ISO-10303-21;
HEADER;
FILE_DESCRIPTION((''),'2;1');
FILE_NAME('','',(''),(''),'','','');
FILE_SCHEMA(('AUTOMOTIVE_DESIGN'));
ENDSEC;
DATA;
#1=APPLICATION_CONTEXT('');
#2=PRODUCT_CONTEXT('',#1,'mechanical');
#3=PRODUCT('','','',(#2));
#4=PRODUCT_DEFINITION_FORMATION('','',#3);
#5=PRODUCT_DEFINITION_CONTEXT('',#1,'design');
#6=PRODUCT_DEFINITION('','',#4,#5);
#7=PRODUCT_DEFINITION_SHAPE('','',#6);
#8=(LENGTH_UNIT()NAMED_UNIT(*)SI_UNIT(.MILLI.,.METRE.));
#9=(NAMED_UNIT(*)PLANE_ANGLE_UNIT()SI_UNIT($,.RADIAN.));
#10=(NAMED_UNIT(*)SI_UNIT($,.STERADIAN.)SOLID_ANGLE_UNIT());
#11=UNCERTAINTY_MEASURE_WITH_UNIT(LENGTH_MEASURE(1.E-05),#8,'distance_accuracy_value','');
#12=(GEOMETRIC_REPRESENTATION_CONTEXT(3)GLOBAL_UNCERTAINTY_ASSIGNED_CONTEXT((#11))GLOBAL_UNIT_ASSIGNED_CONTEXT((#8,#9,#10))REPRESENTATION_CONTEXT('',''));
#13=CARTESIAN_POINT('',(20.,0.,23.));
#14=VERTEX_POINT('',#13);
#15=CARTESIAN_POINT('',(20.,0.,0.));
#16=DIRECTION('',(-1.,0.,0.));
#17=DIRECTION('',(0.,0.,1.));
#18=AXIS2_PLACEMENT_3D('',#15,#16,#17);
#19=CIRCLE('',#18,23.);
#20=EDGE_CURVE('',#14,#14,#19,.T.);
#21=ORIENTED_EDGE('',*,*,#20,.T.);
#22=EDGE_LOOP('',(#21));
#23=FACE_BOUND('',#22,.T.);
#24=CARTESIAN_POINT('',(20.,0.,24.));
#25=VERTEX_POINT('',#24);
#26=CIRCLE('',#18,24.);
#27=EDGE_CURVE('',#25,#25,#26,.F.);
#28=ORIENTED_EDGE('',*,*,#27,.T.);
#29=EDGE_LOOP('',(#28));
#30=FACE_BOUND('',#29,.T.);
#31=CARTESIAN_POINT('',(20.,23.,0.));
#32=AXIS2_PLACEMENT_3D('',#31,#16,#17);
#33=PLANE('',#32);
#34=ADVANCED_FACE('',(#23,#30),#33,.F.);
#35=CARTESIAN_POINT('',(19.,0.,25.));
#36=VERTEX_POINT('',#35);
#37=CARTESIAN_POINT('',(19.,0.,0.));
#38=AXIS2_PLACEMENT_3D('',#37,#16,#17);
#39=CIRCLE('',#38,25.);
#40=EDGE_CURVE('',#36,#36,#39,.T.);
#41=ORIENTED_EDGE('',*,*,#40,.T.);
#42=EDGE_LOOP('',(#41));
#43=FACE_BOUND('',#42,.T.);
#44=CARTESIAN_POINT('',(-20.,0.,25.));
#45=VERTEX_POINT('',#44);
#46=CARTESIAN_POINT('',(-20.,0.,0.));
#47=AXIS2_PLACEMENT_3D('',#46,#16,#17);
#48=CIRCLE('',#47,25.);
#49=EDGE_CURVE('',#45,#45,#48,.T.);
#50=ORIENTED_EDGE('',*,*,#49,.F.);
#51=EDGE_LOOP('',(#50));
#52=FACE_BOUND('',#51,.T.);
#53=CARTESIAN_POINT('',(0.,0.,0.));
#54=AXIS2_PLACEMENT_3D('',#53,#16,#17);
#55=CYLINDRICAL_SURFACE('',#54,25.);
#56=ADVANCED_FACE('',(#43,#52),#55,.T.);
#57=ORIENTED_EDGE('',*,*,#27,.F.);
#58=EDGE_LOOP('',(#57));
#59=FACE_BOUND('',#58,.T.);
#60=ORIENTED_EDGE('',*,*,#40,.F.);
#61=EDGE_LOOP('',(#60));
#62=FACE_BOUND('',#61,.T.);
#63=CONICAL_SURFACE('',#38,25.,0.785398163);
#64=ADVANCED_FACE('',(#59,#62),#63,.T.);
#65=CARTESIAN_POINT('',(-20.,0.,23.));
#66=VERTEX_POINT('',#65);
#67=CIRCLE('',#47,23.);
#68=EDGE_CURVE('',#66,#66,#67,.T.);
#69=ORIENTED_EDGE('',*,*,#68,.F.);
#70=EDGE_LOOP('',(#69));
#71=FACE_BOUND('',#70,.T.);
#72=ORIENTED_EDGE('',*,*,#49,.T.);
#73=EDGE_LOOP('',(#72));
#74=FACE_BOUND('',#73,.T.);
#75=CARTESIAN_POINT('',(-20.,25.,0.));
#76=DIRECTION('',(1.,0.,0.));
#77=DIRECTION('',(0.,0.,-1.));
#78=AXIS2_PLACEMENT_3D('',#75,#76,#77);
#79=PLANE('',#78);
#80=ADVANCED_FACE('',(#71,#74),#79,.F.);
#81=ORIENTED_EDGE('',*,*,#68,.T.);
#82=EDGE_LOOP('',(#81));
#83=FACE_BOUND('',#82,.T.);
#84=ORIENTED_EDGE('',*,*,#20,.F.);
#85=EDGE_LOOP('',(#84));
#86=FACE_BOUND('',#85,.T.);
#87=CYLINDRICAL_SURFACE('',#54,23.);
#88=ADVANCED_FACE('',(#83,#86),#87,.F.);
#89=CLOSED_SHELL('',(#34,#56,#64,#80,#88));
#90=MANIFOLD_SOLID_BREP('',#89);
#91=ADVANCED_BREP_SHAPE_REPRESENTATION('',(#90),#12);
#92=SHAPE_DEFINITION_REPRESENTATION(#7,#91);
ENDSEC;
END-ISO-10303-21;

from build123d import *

# Parameters (mm, degrees)
SKETCH1_W     = 40
SKETCH1_H     = 2
CHAMFER1_SIZE = 1


with BuildPart() as part:
    # Sketch1 → Revolve1 (revolve)
    with BuildSketch(Plane.XY, mode=Mode.PRIVATE) as revolve1_sk:
        with Locations((0, 24)):
            Rectangle(SKETCH1_W, SKETCH1_H)
    revolve(revolve1_sk.sketch.rotate(Axis((0, 0, 0), (1, 0, 0)), 90), axis=Axis((0, 0, 0), (1, 0, 0)))

    # Chamfer1
    chamfer1_edges = [part.edges().sort_by_distance(p)[0] for p in [
        (20, 0, -25),
    ]]
    chamfer(chamfer1_edges, length=CHAMFER1_SIZE)


solid = part.part
